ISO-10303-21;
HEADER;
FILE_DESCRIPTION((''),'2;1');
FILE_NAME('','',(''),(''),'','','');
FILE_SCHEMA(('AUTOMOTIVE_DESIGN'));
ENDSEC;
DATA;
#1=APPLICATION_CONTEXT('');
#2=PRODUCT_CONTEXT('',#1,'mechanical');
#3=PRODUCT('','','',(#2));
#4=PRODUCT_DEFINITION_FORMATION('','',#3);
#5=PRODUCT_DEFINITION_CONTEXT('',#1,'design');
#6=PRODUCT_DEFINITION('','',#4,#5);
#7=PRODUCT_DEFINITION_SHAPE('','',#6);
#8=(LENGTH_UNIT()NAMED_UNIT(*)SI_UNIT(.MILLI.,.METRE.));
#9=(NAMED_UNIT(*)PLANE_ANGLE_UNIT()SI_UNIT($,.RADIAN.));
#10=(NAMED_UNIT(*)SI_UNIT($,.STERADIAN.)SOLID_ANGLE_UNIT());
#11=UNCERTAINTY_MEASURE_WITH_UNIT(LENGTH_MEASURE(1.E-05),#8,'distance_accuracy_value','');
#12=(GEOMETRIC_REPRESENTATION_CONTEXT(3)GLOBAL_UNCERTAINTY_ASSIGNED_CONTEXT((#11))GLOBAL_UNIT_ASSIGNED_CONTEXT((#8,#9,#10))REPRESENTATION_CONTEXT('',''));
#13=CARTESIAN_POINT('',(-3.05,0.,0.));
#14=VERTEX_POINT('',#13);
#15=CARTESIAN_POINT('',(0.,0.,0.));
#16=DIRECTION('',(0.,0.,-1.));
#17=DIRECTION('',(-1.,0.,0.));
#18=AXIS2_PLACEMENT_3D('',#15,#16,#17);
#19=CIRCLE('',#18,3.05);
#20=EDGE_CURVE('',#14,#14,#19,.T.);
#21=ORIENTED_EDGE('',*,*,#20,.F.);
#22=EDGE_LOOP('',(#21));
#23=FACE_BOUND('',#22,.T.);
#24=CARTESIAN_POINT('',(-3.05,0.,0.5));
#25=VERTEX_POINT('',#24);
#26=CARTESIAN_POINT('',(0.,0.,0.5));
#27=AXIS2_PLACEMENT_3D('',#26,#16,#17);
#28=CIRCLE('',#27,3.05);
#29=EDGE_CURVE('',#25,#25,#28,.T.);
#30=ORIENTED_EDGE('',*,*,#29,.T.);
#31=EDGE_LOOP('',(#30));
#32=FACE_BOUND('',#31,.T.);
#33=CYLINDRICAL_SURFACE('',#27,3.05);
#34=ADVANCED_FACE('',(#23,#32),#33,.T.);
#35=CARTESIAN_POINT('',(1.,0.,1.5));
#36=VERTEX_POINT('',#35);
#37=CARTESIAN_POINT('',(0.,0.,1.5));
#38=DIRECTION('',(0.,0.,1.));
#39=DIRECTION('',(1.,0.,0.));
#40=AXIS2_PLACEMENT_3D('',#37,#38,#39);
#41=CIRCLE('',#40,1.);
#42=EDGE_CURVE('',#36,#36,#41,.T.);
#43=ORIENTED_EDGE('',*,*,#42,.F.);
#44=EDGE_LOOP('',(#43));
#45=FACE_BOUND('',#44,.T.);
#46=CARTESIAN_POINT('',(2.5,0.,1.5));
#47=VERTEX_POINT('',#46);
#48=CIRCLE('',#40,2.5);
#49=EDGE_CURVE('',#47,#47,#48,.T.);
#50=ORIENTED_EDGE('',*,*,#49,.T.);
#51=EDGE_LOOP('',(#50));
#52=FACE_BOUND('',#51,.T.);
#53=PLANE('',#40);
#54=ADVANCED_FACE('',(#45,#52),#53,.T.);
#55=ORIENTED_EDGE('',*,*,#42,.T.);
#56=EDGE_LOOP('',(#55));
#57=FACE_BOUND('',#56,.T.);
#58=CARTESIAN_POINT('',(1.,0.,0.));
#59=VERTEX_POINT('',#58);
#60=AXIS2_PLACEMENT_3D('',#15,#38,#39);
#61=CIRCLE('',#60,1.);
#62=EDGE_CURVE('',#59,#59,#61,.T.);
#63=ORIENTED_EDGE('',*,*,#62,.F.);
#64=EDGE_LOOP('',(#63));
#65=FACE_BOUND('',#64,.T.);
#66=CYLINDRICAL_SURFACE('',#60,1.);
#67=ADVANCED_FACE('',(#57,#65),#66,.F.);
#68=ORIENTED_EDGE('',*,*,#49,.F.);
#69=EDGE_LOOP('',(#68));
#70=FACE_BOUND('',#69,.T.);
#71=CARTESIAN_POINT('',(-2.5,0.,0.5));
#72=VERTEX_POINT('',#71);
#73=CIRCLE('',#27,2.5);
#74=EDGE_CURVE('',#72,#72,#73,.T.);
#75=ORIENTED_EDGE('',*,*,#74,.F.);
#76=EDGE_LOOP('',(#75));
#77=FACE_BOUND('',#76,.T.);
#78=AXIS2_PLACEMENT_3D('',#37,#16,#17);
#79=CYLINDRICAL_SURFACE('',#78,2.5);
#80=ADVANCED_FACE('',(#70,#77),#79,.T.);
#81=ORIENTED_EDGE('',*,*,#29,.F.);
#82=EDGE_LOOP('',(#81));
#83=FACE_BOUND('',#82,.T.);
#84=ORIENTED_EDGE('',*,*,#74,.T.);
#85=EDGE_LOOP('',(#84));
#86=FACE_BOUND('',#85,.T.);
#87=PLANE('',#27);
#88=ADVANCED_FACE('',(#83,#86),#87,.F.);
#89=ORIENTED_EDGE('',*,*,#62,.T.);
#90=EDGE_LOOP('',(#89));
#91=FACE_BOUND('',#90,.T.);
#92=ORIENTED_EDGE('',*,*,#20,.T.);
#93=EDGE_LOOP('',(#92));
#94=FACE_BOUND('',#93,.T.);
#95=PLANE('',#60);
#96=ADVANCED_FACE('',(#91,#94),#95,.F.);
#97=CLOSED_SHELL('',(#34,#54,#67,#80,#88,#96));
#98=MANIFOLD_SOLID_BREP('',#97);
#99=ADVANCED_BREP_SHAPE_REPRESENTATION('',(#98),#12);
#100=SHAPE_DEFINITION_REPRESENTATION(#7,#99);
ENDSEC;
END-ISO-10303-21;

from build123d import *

# Parameters (mm, degrees)
SKETCH_1_R               = 2.5
EXTRUDE_1_DEPTH          = 1.5
SKETCH_3_R               = 3.05
EXTRUDE_2_DEPTH          = 0.5
SKETCH_4_R               = 1
CUT_EXTRUDE_1_DEPTH      = 1
CUT_EXTRUDE_1_DEPTH_BACK = 2.5


with BuildPart() as part:
    # Эскиз1 → Бобышка-Вытянуть1 (new body)
    with BuildSketch(Plane.XY):
        Circle(SKETCH_1_R)
    extrude(amount=EXTRUDE_1_DEPTH)

    # Эскиз3 → Бобышка-Вытянуть2 (add)
    with BuildSketch(Plane(origin=(0, 0, 0), x_dir=(-1, 0, 0), z_dir=(0, 0, -1))):
        Circle(SKETCH_3_R)
    extrude(amount=-EXTRUDE_2_DEPTH)

    # Эскиз4 → Вырез-Вытянуть1 (cut, two sides)
    with BuildSketch(Plane.XY.offset(1.5)) as cut_extrude_1_sk:
        Circle(SKETCH_4_R)
    extrude(amount=CUT_EXTRUDE_1_DEPTH, mode=Mode.SUBTRACT)
    extrude(cut_extrude_1_sk.sketch, amount=-CUT_EXTRUDE_1_DEPTH_BACK, mode=Mode.SUBTRACT)


solid = part.part
